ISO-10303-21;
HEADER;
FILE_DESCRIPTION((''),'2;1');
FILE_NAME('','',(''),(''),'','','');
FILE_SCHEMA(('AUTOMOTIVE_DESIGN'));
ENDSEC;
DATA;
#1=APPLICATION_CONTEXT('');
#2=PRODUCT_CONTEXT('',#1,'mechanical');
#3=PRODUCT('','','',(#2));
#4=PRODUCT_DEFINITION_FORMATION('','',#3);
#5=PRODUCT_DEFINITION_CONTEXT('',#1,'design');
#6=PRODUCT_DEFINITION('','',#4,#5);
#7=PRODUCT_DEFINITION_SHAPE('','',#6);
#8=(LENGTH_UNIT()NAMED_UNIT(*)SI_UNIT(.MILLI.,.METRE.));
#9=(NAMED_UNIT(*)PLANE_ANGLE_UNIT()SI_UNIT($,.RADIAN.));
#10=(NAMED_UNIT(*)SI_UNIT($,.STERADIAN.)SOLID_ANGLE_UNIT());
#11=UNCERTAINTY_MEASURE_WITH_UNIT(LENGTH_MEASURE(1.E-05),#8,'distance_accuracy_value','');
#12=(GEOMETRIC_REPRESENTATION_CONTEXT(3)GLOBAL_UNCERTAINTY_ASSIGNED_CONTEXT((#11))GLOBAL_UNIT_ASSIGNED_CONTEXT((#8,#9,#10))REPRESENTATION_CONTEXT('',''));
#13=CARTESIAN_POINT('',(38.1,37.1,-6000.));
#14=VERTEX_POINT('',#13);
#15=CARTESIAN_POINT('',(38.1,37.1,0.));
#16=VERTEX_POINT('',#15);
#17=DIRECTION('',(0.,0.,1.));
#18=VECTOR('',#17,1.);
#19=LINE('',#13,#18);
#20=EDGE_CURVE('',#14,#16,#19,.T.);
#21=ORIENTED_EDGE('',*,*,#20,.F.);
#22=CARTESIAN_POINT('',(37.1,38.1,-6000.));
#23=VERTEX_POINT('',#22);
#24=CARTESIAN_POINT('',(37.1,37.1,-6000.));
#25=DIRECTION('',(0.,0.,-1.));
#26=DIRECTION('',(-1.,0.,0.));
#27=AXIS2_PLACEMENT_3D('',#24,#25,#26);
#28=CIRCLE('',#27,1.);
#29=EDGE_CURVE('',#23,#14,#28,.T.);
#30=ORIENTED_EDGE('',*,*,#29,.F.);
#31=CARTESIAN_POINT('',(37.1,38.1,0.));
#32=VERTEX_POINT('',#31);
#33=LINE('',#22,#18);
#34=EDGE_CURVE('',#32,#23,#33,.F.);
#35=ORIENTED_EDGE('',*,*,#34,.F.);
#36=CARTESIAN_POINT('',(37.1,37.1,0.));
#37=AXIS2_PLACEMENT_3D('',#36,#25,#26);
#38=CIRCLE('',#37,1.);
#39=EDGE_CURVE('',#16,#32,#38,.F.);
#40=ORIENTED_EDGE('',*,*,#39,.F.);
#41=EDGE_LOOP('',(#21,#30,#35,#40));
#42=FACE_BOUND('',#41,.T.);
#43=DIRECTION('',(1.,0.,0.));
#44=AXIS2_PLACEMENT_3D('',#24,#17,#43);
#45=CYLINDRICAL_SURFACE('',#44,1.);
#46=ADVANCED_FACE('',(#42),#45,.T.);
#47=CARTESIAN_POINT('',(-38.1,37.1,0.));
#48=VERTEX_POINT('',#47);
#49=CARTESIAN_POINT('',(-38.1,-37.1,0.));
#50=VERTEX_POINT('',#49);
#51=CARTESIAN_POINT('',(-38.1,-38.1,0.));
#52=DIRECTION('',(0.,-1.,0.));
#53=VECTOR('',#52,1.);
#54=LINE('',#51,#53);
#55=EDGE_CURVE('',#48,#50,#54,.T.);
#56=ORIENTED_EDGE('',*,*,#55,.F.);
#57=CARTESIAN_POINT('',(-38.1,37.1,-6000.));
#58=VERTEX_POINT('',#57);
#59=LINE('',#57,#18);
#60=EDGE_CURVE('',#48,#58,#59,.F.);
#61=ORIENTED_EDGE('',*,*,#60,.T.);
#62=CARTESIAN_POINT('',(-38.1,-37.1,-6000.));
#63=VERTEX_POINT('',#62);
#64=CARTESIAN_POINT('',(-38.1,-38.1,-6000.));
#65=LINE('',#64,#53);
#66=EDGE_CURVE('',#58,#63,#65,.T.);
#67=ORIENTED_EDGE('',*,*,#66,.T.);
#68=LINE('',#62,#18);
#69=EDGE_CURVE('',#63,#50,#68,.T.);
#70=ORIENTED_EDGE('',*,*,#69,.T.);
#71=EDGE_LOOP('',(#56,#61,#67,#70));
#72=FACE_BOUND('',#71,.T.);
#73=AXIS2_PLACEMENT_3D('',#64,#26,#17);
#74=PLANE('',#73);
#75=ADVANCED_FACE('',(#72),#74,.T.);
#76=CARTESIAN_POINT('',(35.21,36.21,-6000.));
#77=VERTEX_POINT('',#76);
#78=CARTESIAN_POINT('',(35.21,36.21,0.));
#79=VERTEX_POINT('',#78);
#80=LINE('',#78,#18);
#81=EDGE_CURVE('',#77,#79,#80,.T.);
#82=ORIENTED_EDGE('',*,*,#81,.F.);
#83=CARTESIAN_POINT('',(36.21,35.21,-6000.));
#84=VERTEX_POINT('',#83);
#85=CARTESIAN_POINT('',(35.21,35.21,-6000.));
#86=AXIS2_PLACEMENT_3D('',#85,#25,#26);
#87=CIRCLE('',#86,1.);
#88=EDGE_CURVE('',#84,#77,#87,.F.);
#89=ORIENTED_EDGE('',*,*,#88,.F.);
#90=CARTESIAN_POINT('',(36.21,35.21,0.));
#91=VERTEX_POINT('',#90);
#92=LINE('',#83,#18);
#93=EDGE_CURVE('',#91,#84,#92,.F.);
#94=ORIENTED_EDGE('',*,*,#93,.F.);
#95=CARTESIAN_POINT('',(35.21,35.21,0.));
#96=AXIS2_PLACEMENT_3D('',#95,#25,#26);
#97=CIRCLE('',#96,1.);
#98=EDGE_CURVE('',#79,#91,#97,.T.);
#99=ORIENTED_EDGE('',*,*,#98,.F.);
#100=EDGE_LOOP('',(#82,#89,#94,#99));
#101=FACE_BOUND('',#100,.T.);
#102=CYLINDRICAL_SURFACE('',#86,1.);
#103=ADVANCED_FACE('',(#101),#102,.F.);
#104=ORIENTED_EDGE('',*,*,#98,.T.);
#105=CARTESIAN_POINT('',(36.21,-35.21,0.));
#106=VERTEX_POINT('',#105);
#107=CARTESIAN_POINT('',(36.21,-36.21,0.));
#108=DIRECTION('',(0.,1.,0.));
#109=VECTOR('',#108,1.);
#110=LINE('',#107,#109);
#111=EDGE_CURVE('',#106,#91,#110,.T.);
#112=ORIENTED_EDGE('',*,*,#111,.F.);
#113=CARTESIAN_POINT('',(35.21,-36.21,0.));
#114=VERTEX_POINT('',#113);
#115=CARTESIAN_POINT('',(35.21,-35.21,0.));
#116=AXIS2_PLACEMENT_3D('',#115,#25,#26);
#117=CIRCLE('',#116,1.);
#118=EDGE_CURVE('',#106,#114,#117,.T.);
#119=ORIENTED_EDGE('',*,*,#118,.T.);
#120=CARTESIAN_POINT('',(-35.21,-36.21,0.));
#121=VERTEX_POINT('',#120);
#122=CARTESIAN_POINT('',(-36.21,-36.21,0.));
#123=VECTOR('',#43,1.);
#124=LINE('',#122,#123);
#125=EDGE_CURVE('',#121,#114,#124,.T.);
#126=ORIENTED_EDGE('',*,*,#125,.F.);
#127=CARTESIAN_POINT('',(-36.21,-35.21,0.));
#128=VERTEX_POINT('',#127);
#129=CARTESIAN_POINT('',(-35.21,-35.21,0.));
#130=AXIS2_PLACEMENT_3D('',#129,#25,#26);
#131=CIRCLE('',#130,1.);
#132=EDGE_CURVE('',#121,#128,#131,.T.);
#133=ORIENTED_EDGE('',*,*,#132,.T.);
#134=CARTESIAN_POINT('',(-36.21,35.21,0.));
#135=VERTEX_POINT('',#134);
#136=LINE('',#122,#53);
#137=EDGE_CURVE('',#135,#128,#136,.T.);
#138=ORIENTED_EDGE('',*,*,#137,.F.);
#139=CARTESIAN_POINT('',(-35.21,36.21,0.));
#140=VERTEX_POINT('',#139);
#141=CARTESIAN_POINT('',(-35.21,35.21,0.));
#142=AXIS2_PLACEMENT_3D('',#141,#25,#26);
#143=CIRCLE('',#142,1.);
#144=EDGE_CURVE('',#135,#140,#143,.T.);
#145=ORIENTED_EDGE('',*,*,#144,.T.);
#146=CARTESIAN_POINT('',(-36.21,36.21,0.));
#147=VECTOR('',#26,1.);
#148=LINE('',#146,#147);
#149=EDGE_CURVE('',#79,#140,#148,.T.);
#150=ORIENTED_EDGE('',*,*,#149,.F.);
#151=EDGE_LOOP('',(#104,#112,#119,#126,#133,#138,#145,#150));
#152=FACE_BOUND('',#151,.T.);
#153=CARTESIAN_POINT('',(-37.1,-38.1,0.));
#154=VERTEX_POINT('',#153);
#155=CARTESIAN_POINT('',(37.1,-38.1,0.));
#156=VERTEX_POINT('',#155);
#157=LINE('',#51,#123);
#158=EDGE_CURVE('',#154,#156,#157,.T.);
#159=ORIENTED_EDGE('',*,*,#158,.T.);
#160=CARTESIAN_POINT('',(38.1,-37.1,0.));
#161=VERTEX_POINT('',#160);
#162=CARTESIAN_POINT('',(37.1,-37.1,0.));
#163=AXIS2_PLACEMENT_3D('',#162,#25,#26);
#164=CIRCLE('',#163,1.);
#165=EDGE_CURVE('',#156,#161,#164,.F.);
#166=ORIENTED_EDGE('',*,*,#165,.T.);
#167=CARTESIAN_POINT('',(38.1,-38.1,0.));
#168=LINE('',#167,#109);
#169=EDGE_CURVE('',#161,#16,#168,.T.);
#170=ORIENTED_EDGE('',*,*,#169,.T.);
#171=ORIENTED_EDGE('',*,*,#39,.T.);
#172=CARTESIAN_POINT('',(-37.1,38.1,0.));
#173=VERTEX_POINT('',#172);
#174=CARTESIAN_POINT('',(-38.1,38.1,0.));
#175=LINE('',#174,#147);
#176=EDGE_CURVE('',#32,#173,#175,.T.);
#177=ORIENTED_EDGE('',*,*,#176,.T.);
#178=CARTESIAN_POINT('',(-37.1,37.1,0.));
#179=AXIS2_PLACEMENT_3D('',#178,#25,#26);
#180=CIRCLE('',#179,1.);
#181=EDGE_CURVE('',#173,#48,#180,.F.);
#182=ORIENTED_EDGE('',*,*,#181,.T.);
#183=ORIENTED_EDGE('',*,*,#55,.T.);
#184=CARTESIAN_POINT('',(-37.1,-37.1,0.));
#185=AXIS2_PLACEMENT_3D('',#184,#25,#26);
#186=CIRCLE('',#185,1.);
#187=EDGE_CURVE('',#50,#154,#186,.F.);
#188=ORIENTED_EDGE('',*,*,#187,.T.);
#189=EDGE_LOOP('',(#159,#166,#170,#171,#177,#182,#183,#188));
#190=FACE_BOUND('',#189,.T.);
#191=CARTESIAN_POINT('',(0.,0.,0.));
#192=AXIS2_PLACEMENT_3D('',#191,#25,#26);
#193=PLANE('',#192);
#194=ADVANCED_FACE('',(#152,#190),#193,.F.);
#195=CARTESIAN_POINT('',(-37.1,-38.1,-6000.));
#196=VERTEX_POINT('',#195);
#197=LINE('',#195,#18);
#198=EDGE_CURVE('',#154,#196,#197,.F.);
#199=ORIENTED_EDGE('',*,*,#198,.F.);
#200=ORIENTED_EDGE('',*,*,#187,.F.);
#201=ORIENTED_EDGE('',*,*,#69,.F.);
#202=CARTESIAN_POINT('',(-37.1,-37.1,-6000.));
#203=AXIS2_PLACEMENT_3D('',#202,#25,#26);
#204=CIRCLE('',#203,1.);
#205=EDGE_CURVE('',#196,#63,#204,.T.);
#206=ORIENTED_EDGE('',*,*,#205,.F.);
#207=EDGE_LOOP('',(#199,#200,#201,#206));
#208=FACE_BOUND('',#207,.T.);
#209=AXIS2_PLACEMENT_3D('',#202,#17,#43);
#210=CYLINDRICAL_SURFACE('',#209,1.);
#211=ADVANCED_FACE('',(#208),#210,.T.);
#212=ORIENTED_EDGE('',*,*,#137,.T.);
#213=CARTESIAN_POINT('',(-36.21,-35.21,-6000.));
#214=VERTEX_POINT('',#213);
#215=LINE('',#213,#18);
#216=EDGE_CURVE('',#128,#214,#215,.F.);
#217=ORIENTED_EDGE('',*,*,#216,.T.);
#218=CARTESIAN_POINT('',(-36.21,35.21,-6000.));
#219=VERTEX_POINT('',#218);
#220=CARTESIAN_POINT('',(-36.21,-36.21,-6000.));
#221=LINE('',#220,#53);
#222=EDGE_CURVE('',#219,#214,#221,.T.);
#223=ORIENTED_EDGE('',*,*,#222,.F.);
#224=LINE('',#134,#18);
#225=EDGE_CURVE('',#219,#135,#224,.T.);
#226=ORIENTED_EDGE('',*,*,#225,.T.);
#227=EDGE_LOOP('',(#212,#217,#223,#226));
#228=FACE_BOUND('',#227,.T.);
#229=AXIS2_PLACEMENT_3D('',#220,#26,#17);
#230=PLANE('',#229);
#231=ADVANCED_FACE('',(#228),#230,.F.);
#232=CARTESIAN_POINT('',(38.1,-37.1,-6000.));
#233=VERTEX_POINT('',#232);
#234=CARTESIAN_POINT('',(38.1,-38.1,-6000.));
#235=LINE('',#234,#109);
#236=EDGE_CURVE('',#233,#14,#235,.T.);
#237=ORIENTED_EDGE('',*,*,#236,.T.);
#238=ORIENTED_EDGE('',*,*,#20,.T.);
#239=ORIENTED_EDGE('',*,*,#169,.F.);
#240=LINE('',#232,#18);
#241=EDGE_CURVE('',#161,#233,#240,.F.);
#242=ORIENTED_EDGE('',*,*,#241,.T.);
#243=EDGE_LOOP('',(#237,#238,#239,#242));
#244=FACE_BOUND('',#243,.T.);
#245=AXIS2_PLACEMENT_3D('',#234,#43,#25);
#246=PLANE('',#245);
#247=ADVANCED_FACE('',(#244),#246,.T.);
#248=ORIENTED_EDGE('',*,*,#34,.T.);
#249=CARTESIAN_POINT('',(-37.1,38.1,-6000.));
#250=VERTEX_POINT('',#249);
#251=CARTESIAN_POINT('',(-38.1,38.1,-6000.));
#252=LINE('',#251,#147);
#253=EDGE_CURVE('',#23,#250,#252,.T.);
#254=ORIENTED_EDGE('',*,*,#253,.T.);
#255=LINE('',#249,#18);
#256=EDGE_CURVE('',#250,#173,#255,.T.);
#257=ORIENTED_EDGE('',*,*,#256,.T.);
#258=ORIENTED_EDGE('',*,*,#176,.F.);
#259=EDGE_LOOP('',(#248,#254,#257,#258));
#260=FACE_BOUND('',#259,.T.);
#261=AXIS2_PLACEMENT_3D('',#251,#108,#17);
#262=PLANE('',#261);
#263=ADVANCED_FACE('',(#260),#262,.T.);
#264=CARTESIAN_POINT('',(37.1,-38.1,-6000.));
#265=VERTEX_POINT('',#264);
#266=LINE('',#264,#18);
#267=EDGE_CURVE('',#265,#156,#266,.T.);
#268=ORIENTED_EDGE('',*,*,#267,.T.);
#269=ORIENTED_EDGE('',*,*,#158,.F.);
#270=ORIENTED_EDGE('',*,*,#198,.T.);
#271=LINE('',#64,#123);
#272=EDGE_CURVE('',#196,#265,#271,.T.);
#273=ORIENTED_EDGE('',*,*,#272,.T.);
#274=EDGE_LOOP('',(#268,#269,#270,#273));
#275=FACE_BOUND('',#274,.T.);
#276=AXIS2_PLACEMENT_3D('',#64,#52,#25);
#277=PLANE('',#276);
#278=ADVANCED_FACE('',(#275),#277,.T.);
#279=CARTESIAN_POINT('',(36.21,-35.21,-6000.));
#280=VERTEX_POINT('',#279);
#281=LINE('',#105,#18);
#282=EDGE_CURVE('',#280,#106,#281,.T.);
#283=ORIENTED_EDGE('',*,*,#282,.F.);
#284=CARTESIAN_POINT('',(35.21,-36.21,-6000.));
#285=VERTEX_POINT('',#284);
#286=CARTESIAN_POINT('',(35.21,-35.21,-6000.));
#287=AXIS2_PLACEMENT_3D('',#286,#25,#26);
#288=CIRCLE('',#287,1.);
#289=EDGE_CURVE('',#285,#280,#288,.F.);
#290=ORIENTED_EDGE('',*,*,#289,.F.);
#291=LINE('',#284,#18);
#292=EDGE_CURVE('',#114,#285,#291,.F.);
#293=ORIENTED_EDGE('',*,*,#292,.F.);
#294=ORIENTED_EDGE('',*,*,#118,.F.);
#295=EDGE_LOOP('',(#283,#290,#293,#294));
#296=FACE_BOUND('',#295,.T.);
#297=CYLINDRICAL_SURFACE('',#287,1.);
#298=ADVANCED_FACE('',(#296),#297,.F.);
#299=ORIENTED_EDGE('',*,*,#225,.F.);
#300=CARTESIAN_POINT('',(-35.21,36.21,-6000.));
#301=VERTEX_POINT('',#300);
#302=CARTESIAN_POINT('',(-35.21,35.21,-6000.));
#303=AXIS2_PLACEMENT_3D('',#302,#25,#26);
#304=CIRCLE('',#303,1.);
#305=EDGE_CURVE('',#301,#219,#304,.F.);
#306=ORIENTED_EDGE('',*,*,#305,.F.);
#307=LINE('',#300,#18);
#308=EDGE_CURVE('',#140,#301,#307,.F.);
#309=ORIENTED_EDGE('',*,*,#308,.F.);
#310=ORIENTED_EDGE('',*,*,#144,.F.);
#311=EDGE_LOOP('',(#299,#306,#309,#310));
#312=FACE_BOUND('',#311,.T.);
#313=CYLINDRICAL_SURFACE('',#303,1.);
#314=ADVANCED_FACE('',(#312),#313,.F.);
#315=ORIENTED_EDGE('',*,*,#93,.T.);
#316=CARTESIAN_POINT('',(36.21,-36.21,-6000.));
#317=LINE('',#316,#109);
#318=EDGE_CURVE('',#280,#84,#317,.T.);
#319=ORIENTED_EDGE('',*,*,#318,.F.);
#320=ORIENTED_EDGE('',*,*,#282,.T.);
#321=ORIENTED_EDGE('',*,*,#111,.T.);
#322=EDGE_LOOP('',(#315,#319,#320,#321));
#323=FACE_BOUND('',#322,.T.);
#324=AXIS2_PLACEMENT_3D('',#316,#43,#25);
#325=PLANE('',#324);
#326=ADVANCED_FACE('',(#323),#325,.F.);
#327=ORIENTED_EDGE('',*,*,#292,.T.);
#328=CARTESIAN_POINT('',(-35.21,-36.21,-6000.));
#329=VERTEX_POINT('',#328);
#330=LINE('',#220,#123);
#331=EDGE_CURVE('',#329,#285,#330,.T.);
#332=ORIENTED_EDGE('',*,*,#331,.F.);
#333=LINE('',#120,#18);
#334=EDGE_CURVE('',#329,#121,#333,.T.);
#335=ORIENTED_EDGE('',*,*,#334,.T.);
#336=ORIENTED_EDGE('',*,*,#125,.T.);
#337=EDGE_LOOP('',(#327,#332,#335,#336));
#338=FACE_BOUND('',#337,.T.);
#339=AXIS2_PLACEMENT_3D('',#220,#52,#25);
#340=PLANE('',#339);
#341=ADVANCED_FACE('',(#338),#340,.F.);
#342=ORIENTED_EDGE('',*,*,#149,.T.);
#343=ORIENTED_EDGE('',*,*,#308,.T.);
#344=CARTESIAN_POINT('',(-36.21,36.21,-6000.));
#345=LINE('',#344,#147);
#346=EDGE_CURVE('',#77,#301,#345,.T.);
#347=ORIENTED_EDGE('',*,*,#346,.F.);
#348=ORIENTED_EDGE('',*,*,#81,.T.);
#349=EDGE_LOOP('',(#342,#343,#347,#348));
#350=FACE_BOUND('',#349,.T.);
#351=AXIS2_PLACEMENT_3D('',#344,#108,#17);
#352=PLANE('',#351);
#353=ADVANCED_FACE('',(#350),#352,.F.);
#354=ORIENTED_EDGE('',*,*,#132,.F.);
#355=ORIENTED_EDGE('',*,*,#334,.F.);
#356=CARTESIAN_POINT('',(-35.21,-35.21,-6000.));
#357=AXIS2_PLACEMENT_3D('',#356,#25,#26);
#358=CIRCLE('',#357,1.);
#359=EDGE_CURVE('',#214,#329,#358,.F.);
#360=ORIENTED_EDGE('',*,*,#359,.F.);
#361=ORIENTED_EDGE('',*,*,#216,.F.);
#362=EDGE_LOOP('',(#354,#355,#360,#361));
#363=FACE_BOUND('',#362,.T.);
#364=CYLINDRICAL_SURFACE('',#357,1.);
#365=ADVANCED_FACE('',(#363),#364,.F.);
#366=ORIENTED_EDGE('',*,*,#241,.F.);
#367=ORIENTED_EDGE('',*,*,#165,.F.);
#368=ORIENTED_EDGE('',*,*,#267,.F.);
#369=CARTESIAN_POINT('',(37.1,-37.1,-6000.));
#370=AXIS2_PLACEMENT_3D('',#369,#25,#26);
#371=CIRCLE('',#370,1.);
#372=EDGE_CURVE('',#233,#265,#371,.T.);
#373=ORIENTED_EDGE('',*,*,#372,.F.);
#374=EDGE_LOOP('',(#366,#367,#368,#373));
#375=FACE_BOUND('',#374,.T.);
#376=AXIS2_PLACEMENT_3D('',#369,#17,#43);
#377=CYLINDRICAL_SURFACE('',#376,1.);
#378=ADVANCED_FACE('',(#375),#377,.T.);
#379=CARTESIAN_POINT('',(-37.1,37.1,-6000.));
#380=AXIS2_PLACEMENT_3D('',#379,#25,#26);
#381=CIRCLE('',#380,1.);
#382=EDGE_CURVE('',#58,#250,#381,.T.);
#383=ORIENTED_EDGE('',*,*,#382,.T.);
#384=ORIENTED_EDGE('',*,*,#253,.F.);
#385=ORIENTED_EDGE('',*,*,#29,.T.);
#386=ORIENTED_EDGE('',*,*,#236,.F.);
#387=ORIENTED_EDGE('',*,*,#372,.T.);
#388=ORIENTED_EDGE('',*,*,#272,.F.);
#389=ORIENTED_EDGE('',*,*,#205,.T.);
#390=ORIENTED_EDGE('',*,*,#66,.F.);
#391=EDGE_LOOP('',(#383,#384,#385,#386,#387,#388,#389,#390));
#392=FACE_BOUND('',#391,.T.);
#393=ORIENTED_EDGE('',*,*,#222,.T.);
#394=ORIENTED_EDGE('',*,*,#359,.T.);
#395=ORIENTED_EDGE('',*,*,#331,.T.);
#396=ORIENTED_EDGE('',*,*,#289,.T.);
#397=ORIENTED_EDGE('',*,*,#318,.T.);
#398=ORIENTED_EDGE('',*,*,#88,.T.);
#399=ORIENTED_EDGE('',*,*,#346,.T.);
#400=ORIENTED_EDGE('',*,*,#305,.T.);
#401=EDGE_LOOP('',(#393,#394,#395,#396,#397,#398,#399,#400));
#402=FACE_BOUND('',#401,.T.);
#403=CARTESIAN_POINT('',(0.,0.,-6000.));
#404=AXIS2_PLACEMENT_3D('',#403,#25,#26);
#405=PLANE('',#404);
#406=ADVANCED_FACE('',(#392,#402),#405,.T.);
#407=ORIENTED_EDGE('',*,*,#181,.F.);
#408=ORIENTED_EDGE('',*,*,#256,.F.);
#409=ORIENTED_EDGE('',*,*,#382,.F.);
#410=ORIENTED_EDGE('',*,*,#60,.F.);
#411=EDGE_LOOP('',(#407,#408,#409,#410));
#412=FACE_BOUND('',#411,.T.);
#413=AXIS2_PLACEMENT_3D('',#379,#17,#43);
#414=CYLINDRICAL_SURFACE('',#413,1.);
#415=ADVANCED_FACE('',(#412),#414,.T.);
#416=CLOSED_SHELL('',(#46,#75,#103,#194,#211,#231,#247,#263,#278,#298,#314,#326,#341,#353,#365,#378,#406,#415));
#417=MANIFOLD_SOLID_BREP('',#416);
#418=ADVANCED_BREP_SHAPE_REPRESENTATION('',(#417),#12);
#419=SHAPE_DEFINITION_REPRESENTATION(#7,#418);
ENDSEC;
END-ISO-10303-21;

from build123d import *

# Parameters (mm, degrees)
CROQUIS1_W              = 76.2
CROQUIS1_H              = 76.2
CROQUIS1_W_2            = 72.42
CROQUIS1_H_2            = 72.42
SALIENTE_EXTRUIR1_DEPTH = 6000
REDONDEO1_R             = 1


with BuildPart() as part:
    # Croquis1 → Saliente-Extruir1 (new body)
    with BuildSketch(Plane.XY):
        Rectangle(CROQUIS1_W, CROQUIS1_H)
        Rectangle(CROQUIS1_W_2, CROQUIS1_H_2, mode=Mode.SUBTRACT)
    extrude(amount=-SALIENTE_EXTRUIR1_DEPTH)

    # Redondeo1
    redondeo1_edges = [part.edges().sort_by_distance(p)[0] for p in [
        (36.21, -36.21, -3000),
        (-36.21, -36.21, -3000),
        (-36.21, 36.21, -3000),
        (36.21, 36.21, -3000),
        (38.1, -38.1, -3000),
        (-38.1, -38.1, -3000),
        (-38.1, 38.1, -3000),
        (38.1, 38.1, -3000),
    ]]
    fillet(redondeo1_edges, radius=REDONDEO1_R)


solid = part.part
